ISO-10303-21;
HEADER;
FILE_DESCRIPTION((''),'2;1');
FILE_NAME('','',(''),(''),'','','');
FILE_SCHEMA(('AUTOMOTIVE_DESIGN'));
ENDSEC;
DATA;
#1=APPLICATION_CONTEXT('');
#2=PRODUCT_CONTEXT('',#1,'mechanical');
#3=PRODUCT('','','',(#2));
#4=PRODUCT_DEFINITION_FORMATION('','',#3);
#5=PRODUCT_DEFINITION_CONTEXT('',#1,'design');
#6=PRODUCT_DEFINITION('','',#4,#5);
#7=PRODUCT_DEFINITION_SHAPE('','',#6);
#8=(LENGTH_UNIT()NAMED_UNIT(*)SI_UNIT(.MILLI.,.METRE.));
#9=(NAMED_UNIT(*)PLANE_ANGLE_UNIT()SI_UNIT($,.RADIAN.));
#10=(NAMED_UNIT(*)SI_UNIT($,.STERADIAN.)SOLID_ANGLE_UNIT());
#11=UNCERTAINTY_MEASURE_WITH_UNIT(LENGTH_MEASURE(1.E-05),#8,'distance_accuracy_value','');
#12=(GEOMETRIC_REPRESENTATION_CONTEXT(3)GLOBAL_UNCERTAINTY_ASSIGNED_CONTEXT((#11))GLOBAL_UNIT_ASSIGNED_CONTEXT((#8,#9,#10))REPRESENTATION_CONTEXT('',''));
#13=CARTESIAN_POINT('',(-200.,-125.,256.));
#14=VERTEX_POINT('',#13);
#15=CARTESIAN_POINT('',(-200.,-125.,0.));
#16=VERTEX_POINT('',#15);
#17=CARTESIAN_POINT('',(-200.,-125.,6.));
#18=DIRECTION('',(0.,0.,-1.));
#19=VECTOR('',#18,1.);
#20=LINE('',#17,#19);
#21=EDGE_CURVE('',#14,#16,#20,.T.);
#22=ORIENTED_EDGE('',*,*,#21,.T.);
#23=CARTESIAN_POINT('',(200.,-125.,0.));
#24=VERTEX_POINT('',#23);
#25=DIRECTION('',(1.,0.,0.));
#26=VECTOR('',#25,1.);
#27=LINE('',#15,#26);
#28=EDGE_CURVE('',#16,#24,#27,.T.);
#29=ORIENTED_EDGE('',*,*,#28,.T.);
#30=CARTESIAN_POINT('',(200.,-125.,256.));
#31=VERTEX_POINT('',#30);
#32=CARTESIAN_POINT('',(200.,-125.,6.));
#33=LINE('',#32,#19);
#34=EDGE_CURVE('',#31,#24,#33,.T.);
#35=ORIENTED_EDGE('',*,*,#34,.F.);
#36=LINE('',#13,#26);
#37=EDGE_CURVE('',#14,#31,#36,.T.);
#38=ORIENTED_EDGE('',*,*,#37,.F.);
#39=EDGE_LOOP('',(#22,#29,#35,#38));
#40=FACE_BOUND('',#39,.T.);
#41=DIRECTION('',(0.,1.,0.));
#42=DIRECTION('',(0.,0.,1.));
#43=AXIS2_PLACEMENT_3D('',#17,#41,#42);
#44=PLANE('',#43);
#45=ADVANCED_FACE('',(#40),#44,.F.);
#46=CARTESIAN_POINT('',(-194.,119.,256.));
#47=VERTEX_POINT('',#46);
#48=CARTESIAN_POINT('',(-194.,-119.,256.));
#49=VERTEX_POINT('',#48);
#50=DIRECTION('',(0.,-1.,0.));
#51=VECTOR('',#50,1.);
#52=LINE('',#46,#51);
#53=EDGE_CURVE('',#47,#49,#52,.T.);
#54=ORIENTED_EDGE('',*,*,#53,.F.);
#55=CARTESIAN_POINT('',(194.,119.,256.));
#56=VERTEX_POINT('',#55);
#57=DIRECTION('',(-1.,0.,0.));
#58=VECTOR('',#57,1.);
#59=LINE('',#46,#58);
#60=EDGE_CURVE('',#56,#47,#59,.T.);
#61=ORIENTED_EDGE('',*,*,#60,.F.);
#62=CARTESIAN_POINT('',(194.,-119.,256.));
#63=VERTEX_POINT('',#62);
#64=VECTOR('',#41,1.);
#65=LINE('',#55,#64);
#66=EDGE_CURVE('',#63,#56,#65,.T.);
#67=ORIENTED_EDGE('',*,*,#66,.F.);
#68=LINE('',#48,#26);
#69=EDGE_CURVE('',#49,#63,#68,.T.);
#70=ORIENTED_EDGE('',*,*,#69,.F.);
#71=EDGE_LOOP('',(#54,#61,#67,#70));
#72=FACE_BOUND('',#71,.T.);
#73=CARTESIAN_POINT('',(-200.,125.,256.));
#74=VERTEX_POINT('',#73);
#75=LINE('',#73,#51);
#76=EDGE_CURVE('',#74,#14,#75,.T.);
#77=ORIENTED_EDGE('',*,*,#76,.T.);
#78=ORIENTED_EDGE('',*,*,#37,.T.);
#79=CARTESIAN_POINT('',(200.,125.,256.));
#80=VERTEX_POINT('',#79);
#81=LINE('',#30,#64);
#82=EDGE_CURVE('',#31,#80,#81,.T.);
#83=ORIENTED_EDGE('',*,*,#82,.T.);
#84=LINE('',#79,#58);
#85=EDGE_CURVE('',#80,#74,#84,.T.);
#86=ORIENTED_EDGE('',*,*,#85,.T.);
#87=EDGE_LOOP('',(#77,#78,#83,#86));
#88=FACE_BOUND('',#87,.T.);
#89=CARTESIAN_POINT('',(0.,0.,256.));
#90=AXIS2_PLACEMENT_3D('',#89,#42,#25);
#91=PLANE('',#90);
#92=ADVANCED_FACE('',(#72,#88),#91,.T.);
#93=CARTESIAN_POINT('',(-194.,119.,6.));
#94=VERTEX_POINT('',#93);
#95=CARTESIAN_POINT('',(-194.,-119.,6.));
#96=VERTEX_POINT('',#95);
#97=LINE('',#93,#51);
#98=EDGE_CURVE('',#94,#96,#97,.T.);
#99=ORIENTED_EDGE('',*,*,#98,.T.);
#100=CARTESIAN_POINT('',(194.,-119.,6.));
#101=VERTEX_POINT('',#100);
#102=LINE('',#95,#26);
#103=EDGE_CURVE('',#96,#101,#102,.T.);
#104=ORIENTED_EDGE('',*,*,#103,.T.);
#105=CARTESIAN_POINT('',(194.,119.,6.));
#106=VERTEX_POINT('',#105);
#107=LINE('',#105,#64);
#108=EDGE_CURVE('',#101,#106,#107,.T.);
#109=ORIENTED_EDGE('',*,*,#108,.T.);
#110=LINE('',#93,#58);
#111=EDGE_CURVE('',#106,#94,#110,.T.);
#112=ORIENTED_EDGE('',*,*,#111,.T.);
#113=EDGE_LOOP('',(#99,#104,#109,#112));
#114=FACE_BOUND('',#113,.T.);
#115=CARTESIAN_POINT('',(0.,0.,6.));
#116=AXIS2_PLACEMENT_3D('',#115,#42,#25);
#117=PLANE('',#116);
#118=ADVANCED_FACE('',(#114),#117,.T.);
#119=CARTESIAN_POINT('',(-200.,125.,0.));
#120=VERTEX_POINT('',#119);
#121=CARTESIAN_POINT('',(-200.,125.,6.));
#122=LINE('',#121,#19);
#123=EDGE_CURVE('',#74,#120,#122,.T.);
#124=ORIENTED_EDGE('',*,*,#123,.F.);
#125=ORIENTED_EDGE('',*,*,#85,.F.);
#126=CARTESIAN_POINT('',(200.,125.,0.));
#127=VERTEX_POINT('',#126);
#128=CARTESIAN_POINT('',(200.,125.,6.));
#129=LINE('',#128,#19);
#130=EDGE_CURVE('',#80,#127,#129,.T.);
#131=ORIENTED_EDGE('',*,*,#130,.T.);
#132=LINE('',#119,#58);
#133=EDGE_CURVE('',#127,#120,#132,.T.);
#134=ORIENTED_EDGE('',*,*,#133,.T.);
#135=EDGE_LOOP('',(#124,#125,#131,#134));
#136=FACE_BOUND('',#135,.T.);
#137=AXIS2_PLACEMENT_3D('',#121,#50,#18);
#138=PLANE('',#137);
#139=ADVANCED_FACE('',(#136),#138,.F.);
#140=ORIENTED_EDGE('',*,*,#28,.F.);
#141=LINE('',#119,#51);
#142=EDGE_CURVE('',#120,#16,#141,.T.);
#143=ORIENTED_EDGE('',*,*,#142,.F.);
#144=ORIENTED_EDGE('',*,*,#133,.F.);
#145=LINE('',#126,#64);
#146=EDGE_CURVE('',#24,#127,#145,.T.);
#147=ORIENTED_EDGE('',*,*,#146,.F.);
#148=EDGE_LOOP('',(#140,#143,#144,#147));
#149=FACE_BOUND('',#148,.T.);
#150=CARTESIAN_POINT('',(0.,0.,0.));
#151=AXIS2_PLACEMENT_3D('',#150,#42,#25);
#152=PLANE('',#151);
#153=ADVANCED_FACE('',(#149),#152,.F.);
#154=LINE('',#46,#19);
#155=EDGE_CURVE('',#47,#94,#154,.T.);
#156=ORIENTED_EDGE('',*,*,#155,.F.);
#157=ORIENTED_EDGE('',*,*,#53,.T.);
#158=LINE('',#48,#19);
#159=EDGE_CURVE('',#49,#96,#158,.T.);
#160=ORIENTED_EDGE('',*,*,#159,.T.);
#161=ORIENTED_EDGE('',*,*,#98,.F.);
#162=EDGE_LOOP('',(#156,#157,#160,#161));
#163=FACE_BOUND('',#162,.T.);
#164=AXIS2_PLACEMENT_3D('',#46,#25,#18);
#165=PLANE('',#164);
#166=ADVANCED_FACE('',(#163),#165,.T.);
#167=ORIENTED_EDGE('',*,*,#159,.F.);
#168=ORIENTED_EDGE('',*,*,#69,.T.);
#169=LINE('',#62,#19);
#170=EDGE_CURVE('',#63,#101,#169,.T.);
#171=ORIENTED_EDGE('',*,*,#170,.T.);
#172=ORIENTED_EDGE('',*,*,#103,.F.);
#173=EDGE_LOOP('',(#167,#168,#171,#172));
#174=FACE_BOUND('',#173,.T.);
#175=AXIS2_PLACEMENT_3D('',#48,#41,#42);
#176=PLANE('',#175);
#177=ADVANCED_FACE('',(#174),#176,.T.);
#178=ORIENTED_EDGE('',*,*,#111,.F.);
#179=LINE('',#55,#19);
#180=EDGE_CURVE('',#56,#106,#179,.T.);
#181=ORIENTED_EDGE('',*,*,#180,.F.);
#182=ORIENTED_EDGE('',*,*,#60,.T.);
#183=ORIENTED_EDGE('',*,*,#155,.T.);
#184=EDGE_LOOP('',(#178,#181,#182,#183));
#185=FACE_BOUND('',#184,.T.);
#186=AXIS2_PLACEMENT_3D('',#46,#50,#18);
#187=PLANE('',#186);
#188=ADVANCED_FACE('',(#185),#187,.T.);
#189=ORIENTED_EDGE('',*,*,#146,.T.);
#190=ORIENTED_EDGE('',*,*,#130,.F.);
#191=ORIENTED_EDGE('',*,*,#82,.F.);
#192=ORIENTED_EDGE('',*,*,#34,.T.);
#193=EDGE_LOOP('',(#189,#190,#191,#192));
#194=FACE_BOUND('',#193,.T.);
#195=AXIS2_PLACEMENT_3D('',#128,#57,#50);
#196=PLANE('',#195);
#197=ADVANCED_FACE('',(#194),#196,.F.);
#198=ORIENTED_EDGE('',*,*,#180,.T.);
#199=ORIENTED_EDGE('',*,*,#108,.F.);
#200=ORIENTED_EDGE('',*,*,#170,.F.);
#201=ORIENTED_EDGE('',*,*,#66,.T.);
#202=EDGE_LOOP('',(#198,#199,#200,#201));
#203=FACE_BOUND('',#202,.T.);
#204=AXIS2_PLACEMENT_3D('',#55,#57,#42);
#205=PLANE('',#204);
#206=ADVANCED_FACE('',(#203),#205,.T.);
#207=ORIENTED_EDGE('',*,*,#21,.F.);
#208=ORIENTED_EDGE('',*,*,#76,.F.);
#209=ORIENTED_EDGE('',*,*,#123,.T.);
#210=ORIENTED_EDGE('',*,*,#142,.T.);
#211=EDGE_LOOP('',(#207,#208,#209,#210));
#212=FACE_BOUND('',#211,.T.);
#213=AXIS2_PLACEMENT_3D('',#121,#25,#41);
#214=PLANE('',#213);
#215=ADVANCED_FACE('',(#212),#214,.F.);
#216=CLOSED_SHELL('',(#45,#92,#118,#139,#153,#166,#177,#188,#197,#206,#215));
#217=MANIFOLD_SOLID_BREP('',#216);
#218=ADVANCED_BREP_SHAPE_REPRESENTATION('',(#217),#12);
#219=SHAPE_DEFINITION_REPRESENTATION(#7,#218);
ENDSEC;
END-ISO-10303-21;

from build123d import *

# Parameters (mm, degrees)
CROQUIS1_W              = 400
CROQUIS1_H              = 250
SALIENTE_EXTRUIR2_DEPTH = 6
CROQUIS2_W              = 400
CROQUIS2_H              = 250
CROQUIS2_W_2            = 388
CROQUIS2_H_2            = 238
SALIENTE_EXTRUIR3_DEPTH = 250


with BuildPart() as part:
    # Croquis1 → Saliente-Extruir2 (new body)
    with BuildSketch(Plane.XY):
        Rectangle(CROQUIS1_W, CROQUIS1_H)
    extrude(amount=SALIENTE_EXTRUIR2_DEPTH)

    # Croquis2 → Saliente-Extruir3 (add)
    with BuildSketch(Plane.XY.offset(6)):
        Rectangle(CROQUIS2_W, CROQUIS2_H)
        Rectangle(CROQUIS2_W_2, CROQUIS2_H_2, mode=Mode.SUBTRACT)
    extrude(amount=SALIENTE_EXTRUIR3_DEPTH)


solid = part.part
